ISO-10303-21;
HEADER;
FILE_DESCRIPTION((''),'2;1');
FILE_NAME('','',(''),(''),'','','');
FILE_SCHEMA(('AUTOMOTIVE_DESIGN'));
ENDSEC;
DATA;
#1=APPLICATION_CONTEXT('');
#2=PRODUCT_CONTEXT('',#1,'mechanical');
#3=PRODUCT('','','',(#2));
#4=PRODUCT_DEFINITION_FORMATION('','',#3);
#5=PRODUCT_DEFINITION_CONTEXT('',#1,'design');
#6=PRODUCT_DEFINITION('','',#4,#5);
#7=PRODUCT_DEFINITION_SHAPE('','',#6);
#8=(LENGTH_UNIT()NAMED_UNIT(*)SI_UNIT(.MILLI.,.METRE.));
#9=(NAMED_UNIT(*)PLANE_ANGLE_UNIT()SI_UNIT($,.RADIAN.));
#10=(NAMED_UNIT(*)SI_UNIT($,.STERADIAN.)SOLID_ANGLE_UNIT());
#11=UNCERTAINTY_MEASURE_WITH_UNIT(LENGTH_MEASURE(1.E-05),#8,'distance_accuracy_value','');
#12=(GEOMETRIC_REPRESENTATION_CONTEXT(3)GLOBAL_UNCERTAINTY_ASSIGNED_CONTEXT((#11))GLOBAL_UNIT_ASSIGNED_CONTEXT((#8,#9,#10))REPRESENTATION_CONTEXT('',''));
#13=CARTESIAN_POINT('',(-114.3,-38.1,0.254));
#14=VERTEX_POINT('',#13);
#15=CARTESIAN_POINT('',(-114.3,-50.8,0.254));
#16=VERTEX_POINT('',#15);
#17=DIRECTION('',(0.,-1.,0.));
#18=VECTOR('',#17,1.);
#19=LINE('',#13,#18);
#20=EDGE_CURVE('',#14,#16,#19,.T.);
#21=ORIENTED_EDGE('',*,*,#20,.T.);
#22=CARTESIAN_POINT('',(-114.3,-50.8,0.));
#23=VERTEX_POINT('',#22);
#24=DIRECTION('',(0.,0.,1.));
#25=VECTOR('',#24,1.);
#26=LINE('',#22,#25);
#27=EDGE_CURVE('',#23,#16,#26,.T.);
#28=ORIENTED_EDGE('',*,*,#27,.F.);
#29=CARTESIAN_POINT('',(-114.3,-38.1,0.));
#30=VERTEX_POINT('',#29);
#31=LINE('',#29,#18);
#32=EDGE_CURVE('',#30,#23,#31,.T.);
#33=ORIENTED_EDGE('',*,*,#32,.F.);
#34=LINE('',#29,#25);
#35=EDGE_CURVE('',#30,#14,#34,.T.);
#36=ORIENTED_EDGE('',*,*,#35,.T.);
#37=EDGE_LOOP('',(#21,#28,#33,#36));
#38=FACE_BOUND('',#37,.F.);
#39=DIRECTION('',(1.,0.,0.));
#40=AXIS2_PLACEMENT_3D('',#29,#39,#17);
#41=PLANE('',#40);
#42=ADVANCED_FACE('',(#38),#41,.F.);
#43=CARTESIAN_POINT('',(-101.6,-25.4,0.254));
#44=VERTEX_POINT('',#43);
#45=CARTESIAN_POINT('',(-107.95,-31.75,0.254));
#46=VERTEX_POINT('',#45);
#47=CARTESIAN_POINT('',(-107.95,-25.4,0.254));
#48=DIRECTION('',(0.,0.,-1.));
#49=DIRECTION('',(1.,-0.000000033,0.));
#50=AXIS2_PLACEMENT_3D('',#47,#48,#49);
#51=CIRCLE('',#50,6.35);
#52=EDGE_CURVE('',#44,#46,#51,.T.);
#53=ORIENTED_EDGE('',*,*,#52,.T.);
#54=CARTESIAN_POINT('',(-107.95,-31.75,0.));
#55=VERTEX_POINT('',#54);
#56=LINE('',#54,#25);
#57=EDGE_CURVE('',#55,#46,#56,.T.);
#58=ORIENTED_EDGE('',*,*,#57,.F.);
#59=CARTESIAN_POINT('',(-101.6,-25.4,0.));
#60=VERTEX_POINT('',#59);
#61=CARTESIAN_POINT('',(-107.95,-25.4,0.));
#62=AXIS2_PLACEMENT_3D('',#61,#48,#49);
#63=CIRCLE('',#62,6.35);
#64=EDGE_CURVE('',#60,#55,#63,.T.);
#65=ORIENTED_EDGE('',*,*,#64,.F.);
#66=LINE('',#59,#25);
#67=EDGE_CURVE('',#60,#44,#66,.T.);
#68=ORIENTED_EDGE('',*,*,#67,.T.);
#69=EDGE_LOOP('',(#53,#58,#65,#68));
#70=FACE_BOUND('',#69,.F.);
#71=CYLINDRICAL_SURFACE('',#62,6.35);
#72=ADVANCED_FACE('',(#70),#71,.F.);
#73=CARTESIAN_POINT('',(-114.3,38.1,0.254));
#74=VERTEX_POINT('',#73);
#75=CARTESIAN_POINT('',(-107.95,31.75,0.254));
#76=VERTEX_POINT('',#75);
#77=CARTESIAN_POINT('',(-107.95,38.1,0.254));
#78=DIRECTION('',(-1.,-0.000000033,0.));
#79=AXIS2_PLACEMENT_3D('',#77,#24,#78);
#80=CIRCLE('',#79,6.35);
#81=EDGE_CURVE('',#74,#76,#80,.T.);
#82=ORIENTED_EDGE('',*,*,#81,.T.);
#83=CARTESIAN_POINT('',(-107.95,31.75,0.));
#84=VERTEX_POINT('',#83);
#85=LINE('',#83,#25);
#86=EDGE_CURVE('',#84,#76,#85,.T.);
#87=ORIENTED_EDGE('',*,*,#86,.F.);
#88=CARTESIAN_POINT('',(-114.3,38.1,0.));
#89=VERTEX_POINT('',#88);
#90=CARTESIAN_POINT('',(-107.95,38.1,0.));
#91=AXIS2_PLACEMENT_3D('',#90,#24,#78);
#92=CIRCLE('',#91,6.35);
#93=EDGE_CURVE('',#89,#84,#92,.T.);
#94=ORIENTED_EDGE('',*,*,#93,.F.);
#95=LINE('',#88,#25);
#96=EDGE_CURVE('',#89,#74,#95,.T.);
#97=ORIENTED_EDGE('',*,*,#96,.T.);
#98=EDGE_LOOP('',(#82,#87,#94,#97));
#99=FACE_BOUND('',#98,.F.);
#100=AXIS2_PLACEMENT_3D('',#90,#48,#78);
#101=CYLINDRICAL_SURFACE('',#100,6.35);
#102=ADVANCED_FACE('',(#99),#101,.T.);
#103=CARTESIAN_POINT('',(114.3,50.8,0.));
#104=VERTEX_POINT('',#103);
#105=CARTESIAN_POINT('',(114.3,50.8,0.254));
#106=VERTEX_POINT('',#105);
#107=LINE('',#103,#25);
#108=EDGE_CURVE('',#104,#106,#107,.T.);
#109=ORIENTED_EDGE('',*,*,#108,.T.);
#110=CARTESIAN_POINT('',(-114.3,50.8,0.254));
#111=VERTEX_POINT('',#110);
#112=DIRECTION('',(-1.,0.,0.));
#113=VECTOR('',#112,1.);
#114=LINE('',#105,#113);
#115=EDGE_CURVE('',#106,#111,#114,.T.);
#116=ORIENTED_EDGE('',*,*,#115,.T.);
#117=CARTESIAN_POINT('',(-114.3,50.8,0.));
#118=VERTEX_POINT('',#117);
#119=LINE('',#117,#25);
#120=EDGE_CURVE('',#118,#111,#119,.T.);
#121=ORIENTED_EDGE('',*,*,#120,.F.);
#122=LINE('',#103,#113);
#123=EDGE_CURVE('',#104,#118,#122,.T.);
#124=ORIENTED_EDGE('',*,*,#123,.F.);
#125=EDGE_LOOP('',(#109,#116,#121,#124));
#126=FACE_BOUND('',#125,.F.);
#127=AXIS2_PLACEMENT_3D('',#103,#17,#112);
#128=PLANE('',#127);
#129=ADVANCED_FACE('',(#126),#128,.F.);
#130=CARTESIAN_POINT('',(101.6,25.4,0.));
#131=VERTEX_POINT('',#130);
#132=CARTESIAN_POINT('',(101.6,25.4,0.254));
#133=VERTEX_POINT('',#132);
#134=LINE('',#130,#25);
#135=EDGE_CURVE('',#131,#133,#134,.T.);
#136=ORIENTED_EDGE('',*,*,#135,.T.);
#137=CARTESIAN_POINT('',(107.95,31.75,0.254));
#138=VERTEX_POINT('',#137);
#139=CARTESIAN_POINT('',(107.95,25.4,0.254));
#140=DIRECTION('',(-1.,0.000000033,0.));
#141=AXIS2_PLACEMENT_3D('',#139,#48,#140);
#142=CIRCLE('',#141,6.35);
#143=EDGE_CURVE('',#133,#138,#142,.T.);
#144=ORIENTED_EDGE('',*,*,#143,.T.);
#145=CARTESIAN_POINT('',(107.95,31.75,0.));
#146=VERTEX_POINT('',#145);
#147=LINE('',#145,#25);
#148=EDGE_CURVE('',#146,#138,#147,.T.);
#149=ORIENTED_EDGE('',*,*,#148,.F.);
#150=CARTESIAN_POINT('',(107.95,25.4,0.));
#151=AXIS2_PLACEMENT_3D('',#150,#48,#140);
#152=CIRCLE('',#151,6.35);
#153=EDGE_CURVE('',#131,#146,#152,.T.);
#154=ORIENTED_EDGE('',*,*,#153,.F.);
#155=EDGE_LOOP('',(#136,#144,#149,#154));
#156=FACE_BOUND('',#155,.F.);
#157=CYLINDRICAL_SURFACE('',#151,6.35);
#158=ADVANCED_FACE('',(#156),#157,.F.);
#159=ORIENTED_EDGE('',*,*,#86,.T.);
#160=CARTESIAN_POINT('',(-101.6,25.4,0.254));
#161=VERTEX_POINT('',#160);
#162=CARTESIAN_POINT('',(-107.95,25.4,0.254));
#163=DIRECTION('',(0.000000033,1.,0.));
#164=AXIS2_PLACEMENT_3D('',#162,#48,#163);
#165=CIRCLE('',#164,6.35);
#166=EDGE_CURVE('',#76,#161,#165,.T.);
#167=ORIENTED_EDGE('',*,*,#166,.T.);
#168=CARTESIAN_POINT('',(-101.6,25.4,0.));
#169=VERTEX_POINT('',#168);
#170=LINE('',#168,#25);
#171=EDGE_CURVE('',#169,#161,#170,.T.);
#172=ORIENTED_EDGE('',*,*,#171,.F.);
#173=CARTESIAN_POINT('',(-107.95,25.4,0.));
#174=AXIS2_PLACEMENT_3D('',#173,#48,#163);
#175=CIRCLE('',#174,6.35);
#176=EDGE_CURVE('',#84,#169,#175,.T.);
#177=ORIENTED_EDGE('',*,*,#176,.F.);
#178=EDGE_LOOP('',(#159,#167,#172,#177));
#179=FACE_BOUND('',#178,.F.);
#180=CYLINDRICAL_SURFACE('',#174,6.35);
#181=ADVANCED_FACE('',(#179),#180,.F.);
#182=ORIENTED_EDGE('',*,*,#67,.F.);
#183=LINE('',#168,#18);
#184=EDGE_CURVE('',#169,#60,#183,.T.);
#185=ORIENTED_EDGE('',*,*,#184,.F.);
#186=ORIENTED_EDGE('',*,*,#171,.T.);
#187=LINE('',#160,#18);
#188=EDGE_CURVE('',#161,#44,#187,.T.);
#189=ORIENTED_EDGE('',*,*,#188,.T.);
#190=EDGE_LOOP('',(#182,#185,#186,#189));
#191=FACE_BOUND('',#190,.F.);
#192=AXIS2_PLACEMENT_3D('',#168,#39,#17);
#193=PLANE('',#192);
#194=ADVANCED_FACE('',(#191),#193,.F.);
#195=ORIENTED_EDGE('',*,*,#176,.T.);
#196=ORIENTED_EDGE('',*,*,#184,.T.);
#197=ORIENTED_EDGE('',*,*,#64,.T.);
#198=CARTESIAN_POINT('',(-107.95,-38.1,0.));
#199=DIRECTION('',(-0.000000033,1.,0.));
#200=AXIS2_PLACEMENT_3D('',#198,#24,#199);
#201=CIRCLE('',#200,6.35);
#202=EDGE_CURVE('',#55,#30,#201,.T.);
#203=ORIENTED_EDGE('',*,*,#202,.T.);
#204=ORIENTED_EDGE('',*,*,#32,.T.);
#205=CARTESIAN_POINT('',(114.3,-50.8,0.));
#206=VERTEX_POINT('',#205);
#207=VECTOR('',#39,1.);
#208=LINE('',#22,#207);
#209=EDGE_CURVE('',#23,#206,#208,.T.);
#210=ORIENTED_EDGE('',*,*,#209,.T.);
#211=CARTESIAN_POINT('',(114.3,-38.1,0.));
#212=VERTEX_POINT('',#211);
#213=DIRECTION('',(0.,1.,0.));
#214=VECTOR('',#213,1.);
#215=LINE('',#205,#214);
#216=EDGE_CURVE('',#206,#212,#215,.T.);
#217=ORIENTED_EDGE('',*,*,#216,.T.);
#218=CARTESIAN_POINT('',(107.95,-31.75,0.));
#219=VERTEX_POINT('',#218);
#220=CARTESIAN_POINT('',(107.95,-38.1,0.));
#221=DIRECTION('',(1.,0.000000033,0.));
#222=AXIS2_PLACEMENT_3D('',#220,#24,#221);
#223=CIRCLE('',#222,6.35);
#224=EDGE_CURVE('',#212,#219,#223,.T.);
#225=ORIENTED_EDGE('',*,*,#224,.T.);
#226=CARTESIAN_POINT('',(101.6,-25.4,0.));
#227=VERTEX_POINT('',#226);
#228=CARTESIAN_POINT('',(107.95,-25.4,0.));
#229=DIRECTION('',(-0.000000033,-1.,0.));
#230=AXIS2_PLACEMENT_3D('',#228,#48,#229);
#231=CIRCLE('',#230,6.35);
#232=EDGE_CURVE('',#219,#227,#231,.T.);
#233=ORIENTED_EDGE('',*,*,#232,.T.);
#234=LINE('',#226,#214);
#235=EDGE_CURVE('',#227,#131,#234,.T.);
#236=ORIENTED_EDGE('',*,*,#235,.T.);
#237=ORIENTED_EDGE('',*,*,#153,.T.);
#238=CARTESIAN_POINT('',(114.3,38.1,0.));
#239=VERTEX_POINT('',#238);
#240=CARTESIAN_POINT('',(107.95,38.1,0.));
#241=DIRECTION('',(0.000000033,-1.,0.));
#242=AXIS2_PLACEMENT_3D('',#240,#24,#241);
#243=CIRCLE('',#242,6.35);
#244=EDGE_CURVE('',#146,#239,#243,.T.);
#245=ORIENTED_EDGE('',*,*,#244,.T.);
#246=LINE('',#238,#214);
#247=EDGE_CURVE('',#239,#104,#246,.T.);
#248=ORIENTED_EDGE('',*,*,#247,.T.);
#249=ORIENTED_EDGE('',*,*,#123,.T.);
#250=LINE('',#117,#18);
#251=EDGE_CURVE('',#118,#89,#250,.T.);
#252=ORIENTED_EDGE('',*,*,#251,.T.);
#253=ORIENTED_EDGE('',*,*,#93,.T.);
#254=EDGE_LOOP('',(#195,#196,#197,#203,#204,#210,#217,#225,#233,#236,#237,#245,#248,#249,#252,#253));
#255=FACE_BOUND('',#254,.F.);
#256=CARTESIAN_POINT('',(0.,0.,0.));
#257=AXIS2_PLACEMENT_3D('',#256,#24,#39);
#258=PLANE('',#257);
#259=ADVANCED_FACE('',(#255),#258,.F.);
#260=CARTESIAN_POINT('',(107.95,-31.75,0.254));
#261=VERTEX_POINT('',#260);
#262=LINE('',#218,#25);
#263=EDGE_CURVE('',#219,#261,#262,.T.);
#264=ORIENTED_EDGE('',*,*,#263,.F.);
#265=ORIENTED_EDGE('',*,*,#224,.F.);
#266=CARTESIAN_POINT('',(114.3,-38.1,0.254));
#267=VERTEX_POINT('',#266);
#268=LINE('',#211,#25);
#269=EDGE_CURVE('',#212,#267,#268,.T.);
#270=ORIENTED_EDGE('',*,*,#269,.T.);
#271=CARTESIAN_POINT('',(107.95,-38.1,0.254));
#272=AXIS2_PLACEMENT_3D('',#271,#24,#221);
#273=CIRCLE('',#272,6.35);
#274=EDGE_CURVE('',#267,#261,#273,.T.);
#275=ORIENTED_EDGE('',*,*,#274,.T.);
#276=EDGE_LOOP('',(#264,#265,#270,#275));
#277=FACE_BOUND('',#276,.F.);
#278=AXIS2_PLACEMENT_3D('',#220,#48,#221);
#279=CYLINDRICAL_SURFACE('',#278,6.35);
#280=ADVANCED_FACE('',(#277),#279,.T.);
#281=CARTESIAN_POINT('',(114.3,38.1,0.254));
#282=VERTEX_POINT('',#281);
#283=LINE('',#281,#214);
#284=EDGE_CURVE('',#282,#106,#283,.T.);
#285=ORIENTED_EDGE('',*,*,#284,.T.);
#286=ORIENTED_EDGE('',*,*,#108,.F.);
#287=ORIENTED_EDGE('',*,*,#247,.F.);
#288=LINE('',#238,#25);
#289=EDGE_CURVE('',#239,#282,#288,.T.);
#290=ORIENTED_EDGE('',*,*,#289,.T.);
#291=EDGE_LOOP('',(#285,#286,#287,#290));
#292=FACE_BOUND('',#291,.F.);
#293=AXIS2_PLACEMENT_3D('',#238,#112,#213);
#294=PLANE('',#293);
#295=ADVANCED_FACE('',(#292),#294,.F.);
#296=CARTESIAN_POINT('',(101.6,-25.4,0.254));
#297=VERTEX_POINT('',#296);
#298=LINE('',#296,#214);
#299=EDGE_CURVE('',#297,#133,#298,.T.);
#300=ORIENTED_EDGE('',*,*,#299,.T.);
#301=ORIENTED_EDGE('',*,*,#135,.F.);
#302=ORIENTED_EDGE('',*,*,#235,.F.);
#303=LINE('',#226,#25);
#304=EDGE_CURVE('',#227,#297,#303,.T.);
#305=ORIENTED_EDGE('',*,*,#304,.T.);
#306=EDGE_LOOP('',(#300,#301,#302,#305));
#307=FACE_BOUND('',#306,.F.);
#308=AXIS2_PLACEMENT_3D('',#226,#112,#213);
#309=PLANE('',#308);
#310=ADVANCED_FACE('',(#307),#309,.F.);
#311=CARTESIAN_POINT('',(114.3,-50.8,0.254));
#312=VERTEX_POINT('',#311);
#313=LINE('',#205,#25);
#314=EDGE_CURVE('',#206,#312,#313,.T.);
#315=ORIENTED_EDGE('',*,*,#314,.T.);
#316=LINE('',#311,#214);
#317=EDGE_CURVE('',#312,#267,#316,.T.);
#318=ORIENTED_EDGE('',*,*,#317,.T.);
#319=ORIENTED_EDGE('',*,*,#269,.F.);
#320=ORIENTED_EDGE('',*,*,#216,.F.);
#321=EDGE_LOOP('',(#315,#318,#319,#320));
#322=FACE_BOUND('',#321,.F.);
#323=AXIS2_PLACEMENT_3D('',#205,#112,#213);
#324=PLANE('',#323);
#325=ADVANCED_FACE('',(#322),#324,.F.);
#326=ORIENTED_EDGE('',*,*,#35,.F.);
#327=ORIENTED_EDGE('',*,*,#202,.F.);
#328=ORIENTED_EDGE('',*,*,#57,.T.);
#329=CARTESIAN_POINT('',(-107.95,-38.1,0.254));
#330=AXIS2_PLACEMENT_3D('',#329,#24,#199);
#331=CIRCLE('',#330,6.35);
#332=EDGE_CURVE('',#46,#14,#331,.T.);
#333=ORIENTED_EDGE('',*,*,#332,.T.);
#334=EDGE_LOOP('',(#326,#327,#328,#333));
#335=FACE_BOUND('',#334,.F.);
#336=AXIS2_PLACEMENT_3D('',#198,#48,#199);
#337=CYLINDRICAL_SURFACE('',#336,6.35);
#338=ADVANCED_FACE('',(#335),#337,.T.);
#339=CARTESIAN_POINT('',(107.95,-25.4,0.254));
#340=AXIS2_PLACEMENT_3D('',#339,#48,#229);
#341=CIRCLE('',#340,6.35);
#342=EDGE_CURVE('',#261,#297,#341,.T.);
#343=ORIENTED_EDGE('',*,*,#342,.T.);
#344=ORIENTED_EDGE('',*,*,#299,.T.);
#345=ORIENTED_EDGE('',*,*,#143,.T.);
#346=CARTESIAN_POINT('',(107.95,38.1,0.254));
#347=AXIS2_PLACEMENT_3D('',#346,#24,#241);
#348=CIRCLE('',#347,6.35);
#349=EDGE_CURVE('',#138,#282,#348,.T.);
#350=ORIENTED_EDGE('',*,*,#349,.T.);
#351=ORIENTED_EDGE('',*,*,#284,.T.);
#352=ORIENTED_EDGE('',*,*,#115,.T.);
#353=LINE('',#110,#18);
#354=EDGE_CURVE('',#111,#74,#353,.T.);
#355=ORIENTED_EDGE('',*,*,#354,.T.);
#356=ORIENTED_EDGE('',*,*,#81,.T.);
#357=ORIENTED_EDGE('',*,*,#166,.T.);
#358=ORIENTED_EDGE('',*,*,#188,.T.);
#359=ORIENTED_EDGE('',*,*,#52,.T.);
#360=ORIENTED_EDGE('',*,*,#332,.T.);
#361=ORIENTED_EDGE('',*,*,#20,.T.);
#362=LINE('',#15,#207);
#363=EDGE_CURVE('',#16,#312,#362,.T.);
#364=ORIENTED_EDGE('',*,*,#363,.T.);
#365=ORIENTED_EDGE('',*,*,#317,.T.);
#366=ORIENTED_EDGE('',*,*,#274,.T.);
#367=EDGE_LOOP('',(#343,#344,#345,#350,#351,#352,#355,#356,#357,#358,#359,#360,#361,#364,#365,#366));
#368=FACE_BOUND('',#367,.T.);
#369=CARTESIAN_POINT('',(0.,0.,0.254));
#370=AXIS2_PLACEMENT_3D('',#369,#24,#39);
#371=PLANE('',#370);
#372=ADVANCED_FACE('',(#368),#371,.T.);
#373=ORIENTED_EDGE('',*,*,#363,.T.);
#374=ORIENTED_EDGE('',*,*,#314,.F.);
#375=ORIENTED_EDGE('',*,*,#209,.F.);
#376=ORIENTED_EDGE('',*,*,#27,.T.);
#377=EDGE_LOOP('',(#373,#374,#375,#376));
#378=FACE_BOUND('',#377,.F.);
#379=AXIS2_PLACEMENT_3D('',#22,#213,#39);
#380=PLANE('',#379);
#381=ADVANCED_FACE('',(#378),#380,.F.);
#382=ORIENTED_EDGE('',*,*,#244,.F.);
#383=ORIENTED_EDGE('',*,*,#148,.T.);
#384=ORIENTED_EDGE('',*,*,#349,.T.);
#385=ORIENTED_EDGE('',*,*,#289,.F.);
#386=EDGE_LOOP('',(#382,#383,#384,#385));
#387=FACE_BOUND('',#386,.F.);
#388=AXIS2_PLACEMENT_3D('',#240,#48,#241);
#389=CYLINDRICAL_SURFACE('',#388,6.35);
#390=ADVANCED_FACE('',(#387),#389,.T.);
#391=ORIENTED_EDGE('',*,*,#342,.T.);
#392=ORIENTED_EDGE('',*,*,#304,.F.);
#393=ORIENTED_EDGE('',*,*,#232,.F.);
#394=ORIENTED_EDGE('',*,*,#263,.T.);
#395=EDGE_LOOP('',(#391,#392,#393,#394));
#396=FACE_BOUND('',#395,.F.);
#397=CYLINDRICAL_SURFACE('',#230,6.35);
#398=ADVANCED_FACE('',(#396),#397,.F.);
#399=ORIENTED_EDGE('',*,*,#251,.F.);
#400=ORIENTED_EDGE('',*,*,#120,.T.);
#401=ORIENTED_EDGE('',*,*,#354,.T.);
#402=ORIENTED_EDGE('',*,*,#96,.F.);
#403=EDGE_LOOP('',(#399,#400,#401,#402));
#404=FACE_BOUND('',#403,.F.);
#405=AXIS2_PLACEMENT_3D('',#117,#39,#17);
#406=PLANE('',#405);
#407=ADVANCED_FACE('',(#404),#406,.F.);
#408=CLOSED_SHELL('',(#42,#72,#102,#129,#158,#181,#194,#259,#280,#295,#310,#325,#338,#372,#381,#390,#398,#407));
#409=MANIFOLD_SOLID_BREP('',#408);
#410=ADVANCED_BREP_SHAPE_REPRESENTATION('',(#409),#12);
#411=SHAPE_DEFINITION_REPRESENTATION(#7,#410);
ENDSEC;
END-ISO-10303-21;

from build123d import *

# Parameters (mm, degrees)
F1_DEPTH = 0.254


with BuildPart() as f1:
    # F0 (on Top) → F1 (new body)
    with BuildSketch(Plane.XY):
        with BuildLine():
            Line((114.3, 50.8), (0, 50.8))
            Line((0, 50.8), (-114.3, 50.8))
            Line((-114.3, 50.8), (-114.3, 38.1))
            ThreePointArc((-114.3, 38.1), (-112.440128, 33.609872), (-107.95, 31.75))
            ThreePointArc((-107.95, 31.75), (-103.459872, 29.890128), (-101.6, 25.4))
            Line((-101.6, 25.4), (-101.6, 0))
            Line((-101.6, 0), (-101.6, -25.4))
            ThreePointArc((-101.6, -25.4), (-103.459872, -29.890128), (-107.95, -31.75))
            ThreePointArc((-107.95, -31.75), (-112.440128, -33.609872), (-114.3, -38.1))
            Line((-114.3, -38.1), (-114.3, -50.8))
            Line((-114.3, -50.8), (0, -50.8))
            Line((0, -50.8), (114.3, -50.8))
            Line((114.3, -50.8), (114.3, -38.1))
            ThreePointArc((114.3, -38.1), (112.440128, -33.609872), (107.95, -31.75))
            ThreePointArc((107.95, -31.75), (103.459872, -29.890128), (101.6, -25.4))
            Line((101.6, -25.4), (101.6, 0))
            Line((101.6, 0), (101.6, 25.4))
            ThreePointArc((101.6, 25.4), (103.459872, 29.890128), (107.95, 31.75))
            ThreePointArc((107.95, 31.75), (112.440128, 33.609872), (114.3, 38.1))
            Line((114.3, 38.1), (114.3, 50.8))
        make_face()
    extrude(amount=F1_DEPTH)


solid = f1.part
